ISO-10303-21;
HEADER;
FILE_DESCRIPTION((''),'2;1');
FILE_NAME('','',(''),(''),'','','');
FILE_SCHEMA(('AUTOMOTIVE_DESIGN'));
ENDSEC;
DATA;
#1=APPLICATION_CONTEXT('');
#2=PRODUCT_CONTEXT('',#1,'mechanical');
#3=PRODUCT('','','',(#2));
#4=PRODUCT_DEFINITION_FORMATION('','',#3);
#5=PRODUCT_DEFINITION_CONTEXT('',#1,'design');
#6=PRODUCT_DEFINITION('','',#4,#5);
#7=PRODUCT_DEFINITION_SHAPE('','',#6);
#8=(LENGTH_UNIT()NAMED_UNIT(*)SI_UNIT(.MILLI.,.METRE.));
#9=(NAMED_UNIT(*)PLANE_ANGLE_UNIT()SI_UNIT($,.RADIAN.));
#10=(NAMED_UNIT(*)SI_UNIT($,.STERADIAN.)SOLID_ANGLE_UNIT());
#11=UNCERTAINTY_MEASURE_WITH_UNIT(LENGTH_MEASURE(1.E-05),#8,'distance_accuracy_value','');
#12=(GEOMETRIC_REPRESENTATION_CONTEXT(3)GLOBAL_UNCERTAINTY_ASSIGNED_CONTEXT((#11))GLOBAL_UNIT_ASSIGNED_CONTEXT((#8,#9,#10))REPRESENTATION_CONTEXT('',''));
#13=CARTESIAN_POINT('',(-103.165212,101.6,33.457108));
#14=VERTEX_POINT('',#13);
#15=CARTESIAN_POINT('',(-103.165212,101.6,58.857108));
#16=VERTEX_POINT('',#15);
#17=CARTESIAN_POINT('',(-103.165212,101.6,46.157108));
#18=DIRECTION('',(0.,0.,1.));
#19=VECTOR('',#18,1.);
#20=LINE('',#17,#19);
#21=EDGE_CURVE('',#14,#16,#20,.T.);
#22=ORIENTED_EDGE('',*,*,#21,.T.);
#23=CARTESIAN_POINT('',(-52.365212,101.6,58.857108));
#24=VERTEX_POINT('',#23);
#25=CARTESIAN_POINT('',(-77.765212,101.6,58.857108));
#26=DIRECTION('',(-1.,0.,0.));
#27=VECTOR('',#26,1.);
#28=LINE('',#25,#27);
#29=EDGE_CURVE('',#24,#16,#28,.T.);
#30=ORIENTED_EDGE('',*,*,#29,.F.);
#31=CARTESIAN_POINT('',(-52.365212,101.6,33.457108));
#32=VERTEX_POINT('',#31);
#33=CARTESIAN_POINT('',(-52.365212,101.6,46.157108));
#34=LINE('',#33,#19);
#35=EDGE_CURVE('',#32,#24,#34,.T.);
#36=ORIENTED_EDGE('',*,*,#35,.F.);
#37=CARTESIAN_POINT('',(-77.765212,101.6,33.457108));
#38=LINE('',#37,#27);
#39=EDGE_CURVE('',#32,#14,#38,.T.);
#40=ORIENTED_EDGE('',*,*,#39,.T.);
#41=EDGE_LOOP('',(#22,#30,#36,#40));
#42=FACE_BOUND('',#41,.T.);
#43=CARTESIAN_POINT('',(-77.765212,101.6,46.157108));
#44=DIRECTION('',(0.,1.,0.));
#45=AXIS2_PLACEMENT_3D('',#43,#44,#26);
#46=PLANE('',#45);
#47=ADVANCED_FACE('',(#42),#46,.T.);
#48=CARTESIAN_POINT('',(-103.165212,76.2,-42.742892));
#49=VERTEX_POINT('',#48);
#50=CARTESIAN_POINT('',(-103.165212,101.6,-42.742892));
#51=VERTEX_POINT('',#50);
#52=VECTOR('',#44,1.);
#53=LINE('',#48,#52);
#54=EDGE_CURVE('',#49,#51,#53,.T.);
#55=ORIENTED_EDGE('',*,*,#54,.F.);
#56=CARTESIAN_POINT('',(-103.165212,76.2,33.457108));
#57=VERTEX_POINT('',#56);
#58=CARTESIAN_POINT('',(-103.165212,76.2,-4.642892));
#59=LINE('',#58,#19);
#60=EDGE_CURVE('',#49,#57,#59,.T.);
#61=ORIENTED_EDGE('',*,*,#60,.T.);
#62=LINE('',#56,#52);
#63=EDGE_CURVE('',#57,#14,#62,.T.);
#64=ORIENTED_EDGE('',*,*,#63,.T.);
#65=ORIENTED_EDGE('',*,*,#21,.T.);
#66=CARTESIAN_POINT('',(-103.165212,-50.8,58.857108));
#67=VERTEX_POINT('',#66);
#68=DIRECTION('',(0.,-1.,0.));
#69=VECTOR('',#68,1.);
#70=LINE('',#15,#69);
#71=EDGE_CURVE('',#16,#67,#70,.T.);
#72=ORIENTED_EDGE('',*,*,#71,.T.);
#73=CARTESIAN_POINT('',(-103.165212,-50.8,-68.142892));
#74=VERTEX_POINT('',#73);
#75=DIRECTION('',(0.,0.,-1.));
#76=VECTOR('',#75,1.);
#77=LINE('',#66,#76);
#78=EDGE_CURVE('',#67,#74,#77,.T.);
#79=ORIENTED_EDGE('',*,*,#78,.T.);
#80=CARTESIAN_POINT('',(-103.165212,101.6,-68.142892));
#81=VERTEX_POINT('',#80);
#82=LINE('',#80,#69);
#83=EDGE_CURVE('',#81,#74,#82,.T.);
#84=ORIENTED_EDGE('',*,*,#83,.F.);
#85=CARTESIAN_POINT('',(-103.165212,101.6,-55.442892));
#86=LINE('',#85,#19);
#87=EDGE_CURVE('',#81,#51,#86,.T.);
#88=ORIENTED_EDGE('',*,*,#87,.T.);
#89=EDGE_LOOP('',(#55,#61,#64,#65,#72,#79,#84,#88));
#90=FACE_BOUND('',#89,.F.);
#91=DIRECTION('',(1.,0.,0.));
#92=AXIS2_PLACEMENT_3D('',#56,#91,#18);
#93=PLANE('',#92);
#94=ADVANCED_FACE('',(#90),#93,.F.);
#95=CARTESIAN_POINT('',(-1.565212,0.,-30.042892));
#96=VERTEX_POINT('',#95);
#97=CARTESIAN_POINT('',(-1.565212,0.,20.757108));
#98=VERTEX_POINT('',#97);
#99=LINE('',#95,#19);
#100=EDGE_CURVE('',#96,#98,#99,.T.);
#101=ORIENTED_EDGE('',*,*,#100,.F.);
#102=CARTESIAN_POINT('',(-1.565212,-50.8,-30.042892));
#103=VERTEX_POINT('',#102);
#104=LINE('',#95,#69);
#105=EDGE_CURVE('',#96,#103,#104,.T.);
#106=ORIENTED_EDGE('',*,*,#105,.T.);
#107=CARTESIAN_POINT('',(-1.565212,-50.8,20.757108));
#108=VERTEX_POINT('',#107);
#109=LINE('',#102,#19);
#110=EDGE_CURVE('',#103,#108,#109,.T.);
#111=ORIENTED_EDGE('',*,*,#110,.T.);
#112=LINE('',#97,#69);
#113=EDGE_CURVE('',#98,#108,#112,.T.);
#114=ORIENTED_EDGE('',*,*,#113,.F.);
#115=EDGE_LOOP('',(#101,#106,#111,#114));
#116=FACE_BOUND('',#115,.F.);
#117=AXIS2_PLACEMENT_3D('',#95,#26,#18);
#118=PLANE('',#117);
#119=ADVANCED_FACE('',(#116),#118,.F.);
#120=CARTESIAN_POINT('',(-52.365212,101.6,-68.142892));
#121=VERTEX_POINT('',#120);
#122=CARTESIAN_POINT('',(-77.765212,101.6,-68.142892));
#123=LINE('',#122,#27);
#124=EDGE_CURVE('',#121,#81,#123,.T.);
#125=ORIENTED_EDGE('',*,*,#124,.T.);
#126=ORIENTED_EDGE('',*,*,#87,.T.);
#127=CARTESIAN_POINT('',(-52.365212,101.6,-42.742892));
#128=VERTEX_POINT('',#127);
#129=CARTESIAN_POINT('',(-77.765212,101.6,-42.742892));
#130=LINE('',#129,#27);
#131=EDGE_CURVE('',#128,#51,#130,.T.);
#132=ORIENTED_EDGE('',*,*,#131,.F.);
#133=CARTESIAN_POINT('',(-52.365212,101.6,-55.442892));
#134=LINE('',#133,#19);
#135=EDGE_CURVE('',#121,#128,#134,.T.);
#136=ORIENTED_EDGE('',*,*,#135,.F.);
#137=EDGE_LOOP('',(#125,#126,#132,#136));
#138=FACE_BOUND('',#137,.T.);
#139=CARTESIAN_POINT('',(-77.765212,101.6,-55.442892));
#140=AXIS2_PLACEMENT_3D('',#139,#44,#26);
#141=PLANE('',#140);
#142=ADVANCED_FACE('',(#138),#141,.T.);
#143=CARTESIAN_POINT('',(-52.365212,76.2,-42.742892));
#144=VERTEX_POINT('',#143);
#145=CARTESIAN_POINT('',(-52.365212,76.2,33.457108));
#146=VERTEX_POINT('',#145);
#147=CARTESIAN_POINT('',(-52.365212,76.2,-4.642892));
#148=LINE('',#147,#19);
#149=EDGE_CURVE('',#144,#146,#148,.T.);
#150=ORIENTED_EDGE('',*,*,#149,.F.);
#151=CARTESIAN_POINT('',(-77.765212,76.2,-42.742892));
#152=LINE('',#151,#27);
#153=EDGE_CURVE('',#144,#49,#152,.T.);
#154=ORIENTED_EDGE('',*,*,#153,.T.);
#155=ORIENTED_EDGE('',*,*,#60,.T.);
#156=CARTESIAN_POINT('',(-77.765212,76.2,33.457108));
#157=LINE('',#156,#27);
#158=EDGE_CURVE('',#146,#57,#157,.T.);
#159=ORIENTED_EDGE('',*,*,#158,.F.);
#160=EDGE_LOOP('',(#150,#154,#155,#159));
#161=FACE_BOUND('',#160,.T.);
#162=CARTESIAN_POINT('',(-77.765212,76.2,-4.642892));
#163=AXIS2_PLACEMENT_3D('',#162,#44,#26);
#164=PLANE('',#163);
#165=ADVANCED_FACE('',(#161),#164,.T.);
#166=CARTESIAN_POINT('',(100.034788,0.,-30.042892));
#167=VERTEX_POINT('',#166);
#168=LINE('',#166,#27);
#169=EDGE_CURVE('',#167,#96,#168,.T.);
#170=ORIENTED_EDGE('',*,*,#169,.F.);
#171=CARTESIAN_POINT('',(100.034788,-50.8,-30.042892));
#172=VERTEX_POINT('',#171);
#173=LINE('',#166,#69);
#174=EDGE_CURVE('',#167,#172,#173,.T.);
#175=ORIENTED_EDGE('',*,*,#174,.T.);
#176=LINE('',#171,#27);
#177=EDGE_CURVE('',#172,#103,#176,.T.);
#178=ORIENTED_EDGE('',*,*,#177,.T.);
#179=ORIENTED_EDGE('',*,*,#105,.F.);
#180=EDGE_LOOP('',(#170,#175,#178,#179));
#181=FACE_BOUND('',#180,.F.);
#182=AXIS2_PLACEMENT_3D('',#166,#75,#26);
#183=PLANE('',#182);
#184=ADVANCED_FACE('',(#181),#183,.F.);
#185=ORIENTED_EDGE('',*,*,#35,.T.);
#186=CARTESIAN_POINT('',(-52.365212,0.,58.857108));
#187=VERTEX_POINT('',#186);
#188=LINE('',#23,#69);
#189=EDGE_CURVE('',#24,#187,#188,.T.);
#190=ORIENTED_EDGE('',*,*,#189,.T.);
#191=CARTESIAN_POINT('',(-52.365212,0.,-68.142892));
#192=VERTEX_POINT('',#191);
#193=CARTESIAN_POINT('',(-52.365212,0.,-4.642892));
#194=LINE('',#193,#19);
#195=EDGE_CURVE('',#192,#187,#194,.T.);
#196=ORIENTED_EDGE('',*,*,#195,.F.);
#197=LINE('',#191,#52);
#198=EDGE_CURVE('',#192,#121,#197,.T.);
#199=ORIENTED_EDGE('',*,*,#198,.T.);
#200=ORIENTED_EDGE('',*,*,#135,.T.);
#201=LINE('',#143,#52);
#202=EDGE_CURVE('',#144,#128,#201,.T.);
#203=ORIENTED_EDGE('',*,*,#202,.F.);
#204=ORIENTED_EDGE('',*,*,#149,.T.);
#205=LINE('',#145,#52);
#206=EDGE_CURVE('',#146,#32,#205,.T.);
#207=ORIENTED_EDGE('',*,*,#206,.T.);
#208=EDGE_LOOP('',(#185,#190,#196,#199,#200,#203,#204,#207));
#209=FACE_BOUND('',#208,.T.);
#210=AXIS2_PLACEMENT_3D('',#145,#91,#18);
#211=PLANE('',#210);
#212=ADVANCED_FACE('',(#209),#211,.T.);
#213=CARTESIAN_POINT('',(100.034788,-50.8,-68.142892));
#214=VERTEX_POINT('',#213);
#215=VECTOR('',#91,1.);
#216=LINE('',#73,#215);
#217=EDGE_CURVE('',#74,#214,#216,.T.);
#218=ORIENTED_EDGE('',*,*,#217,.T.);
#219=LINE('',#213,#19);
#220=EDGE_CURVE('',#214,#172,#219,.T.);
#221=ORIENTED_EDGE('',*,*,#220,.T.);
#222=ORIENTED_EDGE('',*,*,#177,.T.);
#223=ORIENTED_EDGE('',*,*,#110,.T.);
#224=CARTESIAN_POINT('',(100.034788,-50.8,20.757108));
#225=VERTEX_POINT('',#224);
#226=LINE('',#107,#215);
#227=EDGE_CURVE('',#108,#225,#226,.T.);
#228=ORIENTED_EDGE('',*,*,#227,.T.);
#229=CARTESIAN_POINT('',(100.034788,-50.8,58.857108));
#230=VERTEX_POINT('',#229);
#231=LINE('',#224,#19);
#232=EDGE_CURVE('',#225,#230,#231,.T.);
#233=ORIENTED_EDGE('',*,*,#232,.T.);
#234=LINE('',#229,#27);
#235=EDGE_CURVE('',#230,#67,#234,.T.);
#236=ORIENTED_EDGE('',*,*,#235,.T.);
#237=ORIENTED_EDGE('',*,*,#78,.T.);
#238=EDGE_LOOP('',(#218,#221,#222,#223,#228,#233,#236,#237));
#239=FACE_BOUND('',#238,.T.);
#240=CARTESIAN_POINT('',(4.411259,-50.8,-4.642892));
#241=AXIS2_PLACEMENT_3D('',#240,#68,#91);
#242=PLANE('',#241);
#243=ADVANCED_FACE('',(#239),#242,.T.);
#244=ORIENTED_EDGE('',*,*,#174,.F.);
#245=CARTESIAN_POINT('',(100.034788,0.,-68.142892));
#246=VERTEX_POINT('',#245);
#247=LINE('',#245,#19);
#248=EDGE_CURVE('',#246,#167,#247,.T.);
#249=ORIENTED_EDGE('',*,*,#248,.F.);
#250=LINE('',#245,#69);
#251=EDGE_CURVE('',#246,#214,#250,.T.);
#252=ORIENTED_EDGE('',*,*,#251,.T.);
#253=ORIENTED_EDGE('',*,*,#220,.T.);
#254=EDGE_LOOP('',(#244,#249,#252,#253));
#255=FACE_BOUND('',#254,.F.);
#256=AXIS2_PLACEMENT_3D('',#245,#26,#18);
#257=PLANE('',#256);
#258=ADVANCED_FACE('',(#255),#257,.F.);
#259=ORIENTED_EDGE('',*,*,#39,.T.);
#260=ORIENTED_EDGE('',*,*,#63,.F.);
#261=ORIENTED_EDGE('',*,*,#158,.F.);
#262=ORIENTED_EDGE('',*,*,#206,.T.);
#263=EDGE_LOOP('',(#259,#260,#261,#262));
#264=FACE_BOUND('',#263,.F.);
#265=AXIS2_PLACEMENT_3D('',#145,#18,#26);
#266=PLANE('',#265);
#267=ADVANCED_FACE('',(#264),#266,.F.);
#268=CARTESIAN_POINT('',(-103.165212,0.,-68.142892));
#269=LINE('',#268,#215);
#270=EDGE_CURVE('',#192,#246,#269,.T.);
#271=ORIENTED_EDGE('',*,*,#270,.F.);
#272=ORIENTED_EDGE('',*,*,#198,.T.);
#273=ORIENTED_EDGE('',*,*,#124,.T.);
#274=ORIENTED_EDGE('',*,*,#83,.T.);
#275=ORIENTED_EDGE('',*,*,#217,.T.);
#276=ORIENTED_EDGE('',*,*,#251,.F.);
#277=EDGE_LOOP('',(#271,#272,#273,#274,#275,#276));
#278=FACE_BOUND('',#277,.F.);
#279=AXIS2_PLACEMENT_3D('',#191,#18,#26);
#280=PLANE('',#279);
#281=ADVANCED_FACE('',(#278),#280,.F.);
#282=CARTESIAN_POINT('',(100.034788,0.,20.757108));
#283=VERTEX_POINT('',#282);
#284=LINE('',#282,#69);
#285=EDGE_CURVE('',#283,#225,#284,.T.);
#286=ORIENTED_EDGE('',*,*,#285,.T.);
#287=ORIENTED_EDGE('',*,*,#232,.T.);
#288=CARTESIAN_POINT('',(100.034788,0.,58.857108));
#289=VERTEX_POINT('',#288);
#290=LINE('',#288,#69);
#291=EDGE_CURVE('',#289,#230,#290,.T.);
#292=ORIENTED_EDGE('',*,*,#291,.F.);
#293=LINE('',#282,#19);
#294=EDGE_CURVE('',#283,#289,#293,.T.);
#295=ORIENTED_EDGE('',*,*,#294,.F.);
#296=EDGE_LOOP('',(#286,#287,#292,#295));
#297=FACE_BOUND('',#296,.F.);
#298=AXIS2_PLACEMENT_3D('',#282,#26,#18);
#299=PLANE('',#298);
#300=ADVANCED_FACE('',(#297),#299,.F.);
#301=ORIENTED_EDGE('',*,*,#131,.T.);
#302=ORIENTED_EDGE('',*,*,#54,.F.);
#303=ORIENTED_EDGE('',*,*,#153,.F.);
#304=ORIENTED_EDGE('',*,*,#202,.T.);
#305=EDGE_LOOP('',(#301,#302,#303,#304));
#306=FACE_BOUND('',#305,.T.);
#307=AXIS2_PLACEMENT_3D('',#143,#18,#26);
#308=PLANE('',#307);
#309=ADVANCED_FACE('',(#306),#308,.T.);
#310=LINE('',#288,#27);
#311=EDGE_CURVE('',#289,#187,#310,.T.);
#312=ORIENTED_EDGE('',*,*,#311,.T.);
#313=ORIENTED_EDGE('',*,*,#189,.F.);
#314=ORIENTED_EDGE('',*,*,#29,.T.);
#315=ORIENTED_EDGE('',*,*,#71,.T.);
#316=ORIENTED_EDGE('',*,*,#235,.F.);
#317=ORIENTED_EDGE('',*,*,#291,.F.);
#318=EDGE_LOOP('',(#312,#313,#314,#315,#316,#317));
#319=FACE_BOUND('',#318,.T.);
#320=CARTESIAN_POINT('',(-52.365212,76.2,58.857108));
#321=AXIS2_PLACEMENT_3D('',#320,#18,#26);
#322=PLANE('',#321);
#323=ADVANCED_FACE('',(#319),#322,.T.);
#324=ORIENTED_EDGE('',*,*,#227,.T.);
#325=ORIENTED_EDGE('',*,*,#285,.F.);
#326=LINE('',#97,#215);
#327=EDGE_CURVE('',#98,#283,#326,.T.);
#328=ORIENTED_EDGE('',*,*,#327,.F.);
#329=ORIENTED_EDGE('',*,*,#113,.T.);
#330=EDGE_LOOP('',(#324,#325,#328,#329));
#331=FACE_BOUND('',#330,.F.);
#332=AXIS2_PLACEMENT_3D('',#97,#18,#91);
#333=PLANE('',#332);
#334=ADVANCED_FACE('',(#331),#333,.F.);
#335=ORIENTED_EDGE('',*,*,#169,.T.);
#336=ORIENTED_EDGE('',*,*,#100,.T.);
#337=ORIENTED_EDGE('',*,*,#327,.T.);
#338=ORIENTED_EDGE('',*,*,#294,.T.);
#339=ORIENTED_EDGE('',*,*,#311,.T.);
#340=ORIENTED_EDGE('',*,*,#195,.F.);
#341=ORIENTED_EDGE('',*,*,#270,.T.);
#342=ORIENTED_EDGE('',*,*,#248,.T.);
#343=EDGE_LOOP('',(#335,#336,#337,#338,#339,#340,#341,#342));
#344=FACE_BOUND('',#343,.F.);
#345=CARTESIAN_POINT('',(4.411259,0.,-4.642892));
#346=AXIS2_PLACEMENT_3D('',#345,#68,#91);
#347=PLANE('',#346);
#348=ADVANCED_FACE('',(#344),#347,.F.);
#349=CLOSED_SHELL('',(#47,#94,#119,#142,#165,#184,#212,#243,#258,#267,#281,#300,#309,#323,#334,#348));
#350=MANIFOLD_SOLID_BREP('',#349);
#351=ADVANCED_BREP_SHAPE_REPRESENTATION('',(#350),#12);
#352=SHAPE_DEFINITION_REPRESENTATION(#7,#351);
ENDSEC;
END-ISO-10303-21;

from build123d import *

# Parameters (mm, degrees)
F1_DEPTH = 50.8
F2_W     = 50.8
F2_H     = 127
F3_DEPTH = 76.2
F4_W     = 50.8
F4_H     = 25.4
F5_DEPTH = 25.4


with BuildPart() as f1:
    # F0 (on Front) → F1 (new body)
    with BuildSketch(Plane.XZ):
        Polygon((100.034788, 58.857108), (-103.165212, 58.857108), (-103.165212, -68.142892), (100.034788, -68.142892), (100.034788, -30.042892), (-1.565212, -30.042892), (-1.565212, 20.757108), (100.034788, 20.757108), align=None)
    extrude(amount=F1_DEPTH)

    # F2 (on face) → F3 (join)
    with BuildSketch(Plane(origin=(0, 0, 0), x_dir=(-1, 0, 0), z_dir=(0, 1, 0))):
        with Locations((77.765212, -4.642892)):
            Rectangle(F2_W, F2_H)
    extrude(amount=F3_DEPTH)

    # F4 (on face) → F5 (join)
    with BuildSketch(Plane(origin=(0, 76.2, 0), x_dir=(-1, 0, 0), z_dir=(0, 1, 0))):
        with Locations((77.765212, 46.157108)):
            Rectangle(F4_W, F4_H)
        with Locations((77.765212, -55.442892)):
            Rectangle(F4_W, F4_H)
    extrude(amount=F5_DEPTH)


solid = f1.part
